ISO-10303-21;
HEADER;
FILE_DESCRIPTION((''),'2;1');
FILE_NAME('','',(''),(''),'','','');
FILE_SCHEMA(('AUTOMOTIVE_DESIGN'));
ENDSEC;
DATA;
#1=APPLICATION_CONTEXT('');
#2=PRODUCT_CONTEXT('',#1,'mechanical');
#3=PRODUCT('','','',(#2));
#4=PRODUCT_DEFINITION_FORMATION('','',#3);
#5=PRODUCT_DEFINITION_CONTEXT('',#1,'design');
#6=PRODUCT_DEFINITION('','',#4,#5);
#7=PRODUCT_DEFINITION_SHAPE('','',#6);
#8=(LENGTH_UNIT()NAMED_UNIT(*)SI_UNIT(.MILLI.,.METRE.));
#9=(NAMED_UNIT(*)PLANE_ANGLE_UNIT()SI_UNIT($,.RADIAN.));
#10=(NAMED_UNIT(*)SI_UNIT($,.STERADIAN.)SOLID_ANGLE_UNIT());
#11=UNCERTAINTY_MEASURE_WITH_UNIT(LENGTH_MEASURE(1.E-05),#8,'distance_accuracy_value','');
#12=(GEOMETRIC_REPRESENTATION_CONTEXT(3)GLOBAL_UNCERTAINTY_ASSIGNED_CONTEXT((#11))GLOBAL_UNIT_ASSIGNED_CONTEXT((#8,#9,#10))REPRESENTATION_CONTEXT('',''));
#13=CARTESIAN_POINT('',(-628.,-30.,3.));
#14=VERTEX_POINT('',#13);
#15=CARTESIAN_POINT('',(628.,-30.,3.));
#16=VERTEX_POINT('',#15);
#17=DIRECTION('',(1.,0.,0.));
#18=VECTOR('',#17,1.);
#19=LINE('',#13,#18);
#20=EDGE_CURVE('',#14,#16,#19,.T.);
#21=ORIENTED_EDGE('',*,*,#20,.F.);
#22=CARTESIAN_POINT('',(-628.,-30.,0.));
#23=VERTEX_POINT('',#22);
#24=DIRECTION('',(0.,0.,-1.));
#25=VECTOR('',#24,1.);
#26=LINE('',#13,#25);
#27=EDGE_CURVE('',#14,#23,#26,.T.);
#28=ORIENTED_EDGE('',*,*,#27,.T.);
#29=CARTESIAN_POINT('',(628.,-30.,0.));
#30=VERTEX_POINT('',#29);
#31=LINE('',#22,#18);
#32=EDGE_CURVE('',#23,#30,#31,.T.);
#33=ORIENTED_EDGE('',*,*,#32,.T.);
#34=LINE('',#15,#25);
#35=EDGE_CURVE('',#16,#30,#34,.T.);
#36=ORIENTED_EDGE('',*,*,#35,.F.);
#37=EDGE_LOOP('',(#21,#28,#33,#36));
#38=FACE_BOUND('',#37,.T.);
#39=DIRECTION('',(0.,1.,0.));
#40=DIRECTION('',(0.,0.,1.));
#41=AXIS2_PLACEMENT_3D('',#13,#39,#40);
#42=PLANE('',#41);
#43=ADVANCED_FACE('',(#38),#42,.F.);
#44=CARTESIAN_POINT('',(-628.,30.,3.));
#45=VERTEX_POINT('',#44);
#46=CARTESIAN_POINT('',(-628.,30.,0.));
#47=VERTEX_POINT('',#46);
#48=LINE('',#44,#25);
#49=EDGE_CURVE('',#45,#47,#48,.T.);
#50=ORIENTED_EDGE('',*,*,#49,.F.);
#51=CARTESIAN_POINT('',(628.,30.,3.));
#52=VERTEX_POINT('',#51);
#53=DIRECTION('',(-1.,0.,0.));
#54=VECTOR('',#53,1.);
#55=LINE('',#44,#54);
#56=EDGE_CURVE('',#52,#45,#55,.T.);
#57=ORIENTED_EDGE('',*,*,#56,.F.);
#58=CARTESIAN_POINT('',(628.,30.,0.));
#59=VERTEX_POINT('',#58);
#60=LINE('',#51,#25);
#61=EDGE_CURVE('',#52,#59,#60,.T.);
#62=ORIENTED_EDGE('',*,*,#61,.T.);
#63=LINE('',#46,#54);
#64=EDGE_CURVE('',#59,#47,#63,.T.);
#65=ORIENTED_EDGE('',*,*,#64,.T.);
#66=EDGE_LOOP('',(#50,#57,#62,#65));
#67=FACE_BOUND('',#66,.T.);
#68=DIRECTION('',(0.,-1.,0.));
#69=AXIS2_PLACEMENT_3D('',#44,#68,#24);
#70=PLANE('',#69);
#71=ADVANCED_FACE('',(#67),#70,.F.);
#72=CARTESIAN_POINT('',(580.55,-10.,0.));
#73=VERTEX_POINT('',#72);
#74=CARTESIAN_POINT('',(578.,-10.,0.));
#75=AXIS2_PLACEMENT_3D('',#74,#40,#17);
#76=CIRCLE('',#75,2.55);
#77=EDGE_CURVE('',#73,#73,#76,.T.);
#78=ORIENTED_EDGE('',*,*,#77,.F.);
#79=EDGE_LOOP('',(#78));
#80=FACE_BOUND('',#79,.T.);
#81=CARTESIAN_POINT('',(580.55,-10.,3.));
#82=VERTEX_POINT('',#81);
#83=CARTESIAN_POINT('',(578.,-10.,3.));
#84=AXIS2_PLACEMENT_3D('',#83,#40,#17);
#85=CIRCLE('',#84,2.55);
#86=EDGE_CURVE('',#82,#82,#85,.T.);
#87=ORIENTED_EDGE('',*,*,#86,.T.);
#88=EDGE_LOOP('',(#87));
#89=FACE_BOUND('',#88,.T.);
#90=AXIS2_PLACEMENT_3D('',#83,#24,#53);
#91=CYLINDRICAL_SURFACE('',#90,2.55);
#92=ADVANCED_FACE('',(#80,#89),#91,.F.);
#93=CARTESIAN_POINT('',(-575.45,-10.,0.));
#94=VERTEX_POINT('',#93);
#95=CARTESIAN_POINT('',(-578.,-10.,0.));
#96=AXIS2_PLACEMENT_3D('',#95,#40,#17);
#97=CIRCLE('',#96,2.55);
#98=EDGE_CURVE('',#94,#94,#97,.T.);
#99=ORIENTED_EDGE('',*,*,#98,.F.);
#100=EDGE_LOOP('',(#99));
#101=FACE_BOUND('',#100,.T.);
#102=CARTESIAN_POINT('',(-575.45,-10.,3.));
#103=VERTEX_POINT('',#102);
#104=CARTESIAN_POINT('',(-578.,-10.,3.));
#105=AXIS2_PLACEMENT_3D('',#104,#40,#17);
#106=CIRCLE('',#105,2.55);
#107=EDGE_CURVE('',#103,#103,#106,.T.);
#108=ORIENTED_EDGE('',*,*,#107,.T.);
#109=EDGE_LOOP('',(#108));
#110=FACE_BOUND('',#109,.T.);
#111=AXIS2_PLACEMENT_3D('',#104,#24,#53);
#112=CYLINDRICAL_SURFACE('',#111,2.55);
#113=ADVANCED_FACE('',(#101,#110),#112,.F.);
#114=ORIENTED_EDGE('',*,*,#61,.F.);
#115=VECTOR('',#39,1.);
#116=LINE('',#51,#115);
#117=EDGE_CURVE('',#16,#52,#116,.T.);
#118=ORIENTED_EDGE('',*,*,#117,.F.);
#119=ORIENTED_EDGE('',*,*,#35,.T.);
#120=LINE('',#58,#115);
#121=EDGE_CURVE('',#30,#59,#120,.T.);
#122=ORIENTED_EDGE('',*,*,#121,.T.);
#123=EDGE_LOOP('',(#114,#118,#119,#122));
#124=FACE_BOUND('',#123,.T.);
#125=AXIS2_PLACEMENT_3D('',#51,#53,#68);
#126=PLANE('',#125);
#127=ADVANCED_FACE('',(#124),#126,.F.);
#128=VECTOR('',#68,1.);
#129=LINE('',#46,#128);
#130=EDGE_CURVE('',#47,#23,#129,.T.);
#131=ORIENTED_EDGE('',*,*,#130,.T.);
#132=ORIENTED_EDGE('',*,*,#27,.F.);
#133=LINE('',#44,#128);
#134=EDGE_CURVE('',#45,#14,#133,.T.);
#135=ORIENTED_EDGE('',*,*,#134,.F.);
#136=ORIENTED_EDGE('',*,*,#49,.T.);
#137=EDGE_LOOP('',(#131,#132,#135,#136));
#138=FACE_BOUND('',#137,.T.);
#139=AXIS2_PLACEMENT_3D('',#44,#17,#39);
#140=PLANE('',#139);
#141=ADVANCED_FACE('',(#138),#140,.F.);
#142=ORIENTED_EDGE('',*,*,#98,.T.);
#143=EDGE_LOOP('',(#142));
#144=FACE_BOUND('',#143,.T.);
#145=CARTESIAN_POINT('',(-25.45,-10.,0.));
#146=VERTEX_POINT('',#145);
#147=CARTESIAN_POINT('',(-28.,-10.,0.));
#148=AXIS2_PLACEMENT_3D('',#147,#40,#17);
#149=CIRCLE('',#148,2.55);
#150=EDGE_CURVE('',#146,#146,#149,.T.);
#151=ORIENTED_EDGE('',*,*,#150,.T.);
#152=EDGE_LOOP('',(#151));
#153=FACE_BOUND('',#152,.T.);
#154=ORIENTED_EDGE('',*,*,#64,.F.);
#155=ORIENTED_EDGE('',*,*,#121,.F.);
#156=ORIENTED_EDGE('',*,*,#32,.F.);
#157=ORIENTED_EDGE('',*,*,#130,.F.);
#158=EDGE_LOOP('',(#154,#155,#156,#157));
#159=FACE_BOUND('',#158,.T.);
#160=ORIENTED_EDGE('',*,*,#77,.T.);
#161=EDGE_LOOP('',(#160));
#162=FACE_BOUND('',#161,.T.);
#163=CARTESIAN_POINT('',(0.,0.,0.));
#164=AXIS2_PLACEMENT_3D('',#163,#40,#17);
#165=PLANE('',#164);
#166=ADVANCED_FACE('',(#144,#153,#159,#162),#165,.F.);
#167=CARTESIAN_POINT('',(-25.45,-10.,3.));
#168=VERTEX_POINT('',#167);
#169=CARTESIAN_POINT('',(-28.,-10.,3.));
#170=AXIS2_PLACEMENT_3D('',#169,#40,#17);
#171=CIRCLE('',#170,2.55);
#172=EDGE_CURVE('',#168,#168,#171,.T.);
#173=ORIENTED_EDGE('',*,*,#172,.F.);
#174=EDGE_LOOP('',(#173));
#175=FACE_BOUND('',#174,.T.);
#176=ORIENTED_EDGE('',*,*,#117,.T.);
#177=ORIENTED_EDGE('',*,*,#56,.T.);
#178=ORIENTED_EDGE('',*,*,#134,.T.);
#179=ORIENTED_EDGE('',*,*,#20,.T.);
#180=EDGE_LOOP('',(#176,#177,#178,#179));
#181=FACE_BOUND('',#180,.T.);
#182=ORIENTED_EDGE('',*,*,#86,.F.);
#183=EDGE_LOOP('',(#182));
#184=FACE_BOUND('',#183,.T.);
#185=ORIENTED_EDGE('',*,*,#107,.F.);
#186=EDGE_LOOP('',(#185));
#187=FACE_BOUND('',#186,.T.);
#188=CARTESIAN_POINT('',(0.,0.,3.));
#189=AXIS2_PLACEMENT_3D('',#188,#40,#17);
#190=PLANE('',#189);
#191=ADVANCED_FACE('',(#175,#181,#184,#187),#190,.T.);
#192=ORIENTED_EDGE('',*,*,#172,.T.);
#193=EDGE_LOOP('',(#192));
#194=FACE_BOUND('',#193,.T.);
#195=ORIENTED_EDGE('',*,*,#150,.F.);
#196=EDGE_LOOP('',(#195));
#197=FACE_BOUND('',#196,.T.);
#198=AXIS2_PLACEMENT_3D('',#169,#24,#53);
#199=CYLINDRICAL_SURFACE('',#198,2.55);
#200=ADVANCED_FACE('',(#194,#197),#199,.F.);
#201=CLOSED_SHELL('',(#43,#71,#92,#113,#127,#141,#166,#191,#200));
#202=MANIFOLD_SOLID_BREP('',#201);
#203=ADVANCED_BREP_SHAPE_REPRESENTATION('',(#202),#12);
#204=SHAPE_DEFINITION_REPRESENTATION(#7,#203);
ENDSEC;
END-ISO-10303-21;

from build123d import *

# Parameters (mm, degrees)
SKETCH1_W           = 1256
SKETCH1_H           = 60
SKETCH1_R           = 2.55
BOSS_EXTRUDE1_DEPTH = 3


with BuildPart() as part:
    # Sketch1 → Boss-Extrude1 (new body)
    with BuildSketch(Plane.XY):
        Rectangle(SKETCH1_W, SKETCH1_H)
        with Locations((-28, -10)):
            Circle(SKETCH1_R, mode=Mode.SUBTRACT)
        with Locations((578, -10)):
            Circle(SKETCH1_R, mode=Mode.SUBTRACT)
        with Locations((-578, -10)):
            Circle(SKETCH1_R, mode=Mode.SUBTRACT)
    extrude(amount=BOSS_EXTRUDE1_DEPTH)


solid = part.part
